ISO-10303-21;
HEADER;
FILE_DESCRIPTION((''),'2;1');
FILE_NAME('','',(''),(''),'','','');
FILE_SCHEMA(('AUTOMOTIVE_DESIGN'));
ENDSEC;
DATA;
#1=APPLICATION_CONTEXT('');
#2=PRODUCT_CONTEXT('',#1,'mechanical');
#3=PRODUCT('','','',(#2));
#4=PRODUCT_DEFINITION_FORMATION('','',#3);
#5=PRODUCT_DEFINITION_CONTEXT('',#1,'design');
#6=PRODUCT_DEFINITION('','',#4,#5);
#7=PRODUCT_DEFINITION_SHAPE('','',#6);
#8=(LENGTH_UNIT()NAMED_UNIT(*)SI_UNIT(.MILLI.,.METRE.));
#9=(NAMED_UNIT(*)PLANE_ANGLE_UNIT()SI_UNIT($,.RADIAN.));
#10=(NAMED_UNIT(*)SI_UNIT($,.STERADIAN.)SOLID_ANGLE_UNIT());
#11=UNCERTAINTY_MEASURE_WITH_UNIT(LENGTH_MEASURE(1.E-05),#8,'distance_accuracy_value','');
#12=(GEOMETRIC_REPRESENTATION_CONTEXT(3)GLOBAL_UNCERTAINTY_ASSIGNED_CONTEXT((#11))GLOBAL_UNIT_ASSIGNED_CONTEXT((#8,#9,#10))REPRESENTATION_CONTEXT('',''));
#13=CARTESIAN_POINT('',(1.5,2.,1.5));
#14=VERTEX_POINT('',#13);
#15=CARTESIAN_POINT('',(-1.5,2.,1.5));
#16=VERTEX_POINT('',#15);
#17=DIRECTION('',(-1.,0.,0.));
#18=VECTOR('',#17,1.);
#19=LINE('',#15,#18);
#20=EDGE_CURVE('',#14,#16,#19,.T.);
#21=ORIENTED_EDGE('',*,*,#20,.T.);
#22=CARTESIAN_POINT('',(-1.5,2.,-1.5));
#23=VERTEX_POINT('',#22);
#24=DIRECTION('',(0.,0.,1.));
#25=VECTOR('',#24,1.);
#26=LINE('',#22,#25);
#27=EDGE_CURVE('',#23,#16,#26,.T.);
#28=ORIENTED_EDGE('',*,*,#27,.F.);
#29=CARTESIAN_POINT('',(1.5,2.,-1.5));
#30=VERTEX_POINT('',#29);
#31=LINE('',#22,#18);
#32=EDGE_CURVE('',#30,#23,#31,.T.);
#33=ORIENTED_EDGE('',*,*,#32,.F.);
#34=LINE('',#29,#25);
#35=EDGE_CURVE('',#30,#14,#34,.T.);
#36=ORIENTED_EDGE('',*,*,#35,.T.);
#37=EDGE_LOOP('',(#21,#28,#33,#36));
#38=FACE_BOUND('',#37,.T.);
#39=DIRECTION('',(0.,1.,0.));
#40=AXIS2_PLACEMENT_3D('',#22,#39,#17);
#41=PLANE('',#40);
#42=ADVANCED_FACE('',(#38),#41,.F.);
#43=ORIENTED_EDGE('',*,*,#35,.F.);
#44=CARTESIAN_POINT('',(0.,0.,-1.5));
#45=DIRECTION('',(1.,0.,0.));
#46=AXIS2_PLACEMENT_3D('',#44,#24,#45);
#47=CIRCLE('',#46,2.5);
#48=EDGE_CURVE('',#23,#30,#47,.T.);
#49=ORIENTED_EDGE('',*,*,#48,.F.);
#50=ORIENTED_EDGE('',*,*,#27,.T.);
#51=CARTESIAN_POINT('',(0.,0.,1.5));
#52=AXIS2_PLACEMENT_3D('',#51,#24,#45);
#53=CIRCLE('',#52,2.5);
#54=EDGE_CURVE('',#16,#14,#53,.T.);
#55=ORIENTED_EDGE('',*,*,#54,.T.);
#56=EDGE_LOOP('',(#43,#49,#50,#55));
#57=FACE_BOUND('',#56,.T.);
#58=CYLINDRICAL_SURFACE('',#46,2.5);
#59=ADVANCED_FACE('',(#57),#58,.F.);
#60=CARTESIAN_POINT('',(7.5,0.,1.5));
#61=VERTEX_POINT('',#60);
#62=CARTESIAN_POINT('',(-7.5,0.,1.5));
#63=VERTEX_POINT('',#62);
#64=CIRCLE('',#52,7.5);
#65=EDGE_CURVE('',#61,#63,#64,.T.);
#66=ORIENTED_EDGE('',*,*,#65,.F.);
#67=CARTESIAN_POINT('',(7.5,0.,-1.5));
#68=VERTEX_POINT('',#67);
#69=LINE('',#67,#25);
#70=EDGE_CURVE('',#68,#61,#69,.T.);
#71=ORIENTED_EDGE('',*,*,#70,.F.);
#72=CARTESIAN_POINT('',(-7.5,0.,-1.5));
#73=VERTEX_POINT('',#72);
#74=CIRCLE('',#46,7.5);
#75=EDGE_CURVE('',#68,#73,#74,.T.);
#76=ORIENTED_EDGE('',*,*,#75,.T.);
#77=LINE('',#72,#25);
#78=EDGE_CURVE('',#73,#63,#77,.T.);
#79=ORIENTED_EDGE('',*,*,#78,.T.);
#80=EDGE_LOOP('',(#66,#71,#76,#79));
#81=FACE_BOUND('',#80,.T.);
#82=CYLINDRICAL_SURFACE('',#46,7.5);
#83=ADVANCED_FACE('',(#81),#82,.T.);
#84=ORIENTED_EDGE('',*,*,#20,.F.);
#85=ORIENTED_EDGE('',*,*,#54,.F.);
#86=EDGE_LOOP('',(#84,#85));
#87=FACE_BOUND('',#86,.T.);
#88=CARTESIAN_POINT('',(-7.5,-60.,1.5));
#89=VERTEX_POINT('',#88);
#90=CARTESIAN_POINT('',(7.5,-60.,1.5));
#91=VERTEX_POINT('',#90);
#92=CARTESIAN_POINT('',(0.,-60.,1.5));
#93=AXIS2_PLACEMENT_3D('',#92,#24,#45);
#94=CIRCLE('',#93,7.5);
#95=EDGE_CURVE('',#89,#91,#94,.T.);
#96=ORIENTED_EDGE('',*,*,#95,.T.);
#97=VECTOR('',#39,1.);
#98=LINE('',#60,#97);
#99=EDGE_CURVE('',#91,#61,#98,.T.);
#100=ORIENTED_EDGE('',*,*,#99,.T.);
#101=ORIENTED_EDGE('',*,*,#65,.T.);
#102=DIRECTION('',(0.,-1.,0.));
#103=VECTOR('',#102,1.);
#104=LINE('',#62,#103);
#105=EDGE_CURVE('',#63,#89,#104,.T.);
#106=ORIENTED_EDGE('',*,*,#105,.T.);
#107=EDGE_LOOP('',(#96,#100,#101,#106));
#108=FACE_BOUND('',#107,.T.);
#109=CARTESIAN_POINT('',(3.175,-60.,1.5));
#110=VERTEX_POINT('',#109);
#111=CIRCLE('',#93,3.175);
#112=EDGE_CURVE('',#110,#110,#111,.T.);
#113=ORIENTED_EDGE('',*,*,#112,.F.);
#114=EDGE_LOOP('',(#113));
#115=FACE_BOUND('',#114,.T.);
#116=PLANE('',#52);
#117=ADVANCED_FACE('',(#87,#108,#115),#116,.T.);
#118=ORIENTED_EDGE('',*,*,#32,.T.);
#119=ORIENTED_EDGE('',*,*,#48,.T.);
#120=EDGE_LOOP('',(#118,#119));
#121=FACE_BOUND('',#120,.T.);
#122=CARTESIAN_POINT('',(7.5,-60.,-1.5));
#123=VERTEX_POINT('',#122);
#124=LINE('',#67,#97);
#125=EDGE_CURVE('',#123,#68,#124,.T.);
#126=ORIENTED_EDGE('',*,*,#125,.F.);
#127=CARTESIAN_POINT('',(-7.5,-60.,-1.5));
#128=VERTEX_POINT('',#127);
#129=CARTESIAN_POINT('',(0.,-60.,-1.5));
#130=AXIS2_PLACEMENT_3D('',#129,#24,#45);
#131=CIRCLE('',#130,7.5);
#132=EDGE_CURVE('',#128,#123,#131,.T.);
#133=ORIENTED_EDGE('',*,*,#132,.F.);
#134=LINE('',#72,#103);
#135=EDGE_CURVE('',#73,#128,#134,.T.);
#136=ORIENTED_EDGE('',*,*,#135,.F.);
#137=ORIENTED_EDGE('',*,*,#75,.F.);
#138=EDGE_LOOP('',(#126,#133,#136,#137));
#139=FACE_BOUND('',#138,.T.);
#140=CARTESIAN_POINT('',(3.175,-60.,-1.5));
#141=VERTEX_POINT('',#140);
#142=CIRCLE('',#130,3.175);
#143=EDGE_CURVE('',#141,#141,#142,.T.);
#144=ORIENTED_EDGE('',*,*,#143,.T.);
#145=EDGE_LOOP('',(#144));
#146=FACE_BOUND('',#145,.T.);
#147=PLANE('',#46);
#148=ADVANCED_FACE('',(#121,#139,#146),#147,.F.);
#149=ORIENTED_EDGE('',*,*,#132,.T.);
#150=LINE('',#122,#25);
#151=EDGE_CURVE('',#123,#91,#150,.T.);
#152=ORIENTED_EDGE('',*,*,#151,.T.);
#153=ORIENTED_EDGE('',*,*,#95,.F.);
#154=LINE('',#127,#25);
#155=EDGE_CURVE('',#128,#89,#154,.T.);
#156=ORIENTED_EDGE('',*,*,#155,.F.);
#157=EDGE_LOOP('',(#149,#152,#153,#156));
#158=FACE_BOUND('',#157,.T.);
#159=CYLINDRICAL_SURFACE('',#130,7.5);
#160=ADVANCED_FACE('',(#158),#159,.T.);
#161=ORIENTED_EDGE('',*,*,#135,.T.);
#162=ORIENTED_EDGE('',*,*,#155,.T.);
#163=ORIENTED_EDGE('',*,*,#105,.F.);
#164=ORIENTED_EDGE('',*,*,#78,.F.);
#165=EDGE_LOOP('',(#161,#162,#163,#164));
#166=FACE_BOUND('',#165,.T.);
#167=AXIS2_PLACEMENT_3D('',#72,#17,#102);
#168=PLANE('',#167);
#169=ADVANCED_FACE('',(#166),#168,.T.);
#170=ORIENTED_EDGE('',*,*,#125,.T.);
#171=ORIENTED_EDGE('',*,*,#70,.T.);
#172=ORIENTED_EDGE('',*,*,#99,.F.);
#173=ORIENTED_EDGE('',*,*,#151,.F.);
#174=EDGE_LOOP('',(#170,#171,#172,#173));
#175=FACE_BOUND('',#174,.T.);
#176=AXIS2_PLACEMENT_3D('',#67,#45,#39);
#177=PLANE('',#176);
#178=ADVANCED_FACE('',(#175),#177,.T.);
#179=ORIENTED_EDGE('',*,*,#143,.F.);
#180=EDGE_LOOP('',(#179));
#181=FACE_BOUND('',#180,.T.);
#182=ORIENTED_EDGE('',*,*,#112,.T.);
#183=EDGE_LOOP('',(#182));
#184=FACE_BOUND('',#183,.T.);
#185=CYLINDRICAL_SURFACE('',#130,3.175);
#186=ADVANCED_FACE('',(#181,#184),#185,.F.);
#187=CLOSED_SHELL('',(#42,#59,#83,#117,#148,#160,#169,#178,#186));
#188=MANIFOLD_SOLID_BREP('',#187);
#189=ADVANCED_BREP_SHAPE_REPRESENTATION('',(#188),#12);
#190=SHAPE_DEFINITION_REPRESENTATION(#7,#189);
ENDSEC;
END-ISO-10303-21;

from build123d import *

# Parameters (mm, degrees)
SALIENTE_EXTRUIR1_DEPTH      = 1.5
SALIENTE_EXTRUIR1_DEPTH_BACK = 1.5
CROQUIS1_R                   = 3.175


with BuildPart() as part:
    # Croquis1 → Saliente-Extruir1 (new, two sides: drawn at the far end of the back side and taken through both)
    with BuildSketch(Plane.XY.offset(-SALIENTE_EXTRUIR1_DEPTH_BACK)):
        with BuildLine():
            Line((7.5, 0), (7.5, -60))
            ThreePointArc((7.5, -60), (0, -67.5), (-7.5, -60))
            Line((-7.5, -60), (-7.5, 0))
            ThreePointArc((-7.5, 0), (0, 7.5), (7.5, 0))
        make_face()
        with Locations((0, -60)):
            Circle(CROQUIS1_R, mode=Mode.SUBTRACT)
        with BuildLine():
            Line((-1.5, 2), (1.5, 2))
            ThreePointArc((1.5, 2), (0, -2.5), (-1.5, 2))
        make_face(mode=Mode.SUBTRACT)
    extrude(amount=SALIENTE_EXTRUIR1_DEPTH + SALIENTE_EXTRUIR1_DEPTH_BACK)


solid = part.part
